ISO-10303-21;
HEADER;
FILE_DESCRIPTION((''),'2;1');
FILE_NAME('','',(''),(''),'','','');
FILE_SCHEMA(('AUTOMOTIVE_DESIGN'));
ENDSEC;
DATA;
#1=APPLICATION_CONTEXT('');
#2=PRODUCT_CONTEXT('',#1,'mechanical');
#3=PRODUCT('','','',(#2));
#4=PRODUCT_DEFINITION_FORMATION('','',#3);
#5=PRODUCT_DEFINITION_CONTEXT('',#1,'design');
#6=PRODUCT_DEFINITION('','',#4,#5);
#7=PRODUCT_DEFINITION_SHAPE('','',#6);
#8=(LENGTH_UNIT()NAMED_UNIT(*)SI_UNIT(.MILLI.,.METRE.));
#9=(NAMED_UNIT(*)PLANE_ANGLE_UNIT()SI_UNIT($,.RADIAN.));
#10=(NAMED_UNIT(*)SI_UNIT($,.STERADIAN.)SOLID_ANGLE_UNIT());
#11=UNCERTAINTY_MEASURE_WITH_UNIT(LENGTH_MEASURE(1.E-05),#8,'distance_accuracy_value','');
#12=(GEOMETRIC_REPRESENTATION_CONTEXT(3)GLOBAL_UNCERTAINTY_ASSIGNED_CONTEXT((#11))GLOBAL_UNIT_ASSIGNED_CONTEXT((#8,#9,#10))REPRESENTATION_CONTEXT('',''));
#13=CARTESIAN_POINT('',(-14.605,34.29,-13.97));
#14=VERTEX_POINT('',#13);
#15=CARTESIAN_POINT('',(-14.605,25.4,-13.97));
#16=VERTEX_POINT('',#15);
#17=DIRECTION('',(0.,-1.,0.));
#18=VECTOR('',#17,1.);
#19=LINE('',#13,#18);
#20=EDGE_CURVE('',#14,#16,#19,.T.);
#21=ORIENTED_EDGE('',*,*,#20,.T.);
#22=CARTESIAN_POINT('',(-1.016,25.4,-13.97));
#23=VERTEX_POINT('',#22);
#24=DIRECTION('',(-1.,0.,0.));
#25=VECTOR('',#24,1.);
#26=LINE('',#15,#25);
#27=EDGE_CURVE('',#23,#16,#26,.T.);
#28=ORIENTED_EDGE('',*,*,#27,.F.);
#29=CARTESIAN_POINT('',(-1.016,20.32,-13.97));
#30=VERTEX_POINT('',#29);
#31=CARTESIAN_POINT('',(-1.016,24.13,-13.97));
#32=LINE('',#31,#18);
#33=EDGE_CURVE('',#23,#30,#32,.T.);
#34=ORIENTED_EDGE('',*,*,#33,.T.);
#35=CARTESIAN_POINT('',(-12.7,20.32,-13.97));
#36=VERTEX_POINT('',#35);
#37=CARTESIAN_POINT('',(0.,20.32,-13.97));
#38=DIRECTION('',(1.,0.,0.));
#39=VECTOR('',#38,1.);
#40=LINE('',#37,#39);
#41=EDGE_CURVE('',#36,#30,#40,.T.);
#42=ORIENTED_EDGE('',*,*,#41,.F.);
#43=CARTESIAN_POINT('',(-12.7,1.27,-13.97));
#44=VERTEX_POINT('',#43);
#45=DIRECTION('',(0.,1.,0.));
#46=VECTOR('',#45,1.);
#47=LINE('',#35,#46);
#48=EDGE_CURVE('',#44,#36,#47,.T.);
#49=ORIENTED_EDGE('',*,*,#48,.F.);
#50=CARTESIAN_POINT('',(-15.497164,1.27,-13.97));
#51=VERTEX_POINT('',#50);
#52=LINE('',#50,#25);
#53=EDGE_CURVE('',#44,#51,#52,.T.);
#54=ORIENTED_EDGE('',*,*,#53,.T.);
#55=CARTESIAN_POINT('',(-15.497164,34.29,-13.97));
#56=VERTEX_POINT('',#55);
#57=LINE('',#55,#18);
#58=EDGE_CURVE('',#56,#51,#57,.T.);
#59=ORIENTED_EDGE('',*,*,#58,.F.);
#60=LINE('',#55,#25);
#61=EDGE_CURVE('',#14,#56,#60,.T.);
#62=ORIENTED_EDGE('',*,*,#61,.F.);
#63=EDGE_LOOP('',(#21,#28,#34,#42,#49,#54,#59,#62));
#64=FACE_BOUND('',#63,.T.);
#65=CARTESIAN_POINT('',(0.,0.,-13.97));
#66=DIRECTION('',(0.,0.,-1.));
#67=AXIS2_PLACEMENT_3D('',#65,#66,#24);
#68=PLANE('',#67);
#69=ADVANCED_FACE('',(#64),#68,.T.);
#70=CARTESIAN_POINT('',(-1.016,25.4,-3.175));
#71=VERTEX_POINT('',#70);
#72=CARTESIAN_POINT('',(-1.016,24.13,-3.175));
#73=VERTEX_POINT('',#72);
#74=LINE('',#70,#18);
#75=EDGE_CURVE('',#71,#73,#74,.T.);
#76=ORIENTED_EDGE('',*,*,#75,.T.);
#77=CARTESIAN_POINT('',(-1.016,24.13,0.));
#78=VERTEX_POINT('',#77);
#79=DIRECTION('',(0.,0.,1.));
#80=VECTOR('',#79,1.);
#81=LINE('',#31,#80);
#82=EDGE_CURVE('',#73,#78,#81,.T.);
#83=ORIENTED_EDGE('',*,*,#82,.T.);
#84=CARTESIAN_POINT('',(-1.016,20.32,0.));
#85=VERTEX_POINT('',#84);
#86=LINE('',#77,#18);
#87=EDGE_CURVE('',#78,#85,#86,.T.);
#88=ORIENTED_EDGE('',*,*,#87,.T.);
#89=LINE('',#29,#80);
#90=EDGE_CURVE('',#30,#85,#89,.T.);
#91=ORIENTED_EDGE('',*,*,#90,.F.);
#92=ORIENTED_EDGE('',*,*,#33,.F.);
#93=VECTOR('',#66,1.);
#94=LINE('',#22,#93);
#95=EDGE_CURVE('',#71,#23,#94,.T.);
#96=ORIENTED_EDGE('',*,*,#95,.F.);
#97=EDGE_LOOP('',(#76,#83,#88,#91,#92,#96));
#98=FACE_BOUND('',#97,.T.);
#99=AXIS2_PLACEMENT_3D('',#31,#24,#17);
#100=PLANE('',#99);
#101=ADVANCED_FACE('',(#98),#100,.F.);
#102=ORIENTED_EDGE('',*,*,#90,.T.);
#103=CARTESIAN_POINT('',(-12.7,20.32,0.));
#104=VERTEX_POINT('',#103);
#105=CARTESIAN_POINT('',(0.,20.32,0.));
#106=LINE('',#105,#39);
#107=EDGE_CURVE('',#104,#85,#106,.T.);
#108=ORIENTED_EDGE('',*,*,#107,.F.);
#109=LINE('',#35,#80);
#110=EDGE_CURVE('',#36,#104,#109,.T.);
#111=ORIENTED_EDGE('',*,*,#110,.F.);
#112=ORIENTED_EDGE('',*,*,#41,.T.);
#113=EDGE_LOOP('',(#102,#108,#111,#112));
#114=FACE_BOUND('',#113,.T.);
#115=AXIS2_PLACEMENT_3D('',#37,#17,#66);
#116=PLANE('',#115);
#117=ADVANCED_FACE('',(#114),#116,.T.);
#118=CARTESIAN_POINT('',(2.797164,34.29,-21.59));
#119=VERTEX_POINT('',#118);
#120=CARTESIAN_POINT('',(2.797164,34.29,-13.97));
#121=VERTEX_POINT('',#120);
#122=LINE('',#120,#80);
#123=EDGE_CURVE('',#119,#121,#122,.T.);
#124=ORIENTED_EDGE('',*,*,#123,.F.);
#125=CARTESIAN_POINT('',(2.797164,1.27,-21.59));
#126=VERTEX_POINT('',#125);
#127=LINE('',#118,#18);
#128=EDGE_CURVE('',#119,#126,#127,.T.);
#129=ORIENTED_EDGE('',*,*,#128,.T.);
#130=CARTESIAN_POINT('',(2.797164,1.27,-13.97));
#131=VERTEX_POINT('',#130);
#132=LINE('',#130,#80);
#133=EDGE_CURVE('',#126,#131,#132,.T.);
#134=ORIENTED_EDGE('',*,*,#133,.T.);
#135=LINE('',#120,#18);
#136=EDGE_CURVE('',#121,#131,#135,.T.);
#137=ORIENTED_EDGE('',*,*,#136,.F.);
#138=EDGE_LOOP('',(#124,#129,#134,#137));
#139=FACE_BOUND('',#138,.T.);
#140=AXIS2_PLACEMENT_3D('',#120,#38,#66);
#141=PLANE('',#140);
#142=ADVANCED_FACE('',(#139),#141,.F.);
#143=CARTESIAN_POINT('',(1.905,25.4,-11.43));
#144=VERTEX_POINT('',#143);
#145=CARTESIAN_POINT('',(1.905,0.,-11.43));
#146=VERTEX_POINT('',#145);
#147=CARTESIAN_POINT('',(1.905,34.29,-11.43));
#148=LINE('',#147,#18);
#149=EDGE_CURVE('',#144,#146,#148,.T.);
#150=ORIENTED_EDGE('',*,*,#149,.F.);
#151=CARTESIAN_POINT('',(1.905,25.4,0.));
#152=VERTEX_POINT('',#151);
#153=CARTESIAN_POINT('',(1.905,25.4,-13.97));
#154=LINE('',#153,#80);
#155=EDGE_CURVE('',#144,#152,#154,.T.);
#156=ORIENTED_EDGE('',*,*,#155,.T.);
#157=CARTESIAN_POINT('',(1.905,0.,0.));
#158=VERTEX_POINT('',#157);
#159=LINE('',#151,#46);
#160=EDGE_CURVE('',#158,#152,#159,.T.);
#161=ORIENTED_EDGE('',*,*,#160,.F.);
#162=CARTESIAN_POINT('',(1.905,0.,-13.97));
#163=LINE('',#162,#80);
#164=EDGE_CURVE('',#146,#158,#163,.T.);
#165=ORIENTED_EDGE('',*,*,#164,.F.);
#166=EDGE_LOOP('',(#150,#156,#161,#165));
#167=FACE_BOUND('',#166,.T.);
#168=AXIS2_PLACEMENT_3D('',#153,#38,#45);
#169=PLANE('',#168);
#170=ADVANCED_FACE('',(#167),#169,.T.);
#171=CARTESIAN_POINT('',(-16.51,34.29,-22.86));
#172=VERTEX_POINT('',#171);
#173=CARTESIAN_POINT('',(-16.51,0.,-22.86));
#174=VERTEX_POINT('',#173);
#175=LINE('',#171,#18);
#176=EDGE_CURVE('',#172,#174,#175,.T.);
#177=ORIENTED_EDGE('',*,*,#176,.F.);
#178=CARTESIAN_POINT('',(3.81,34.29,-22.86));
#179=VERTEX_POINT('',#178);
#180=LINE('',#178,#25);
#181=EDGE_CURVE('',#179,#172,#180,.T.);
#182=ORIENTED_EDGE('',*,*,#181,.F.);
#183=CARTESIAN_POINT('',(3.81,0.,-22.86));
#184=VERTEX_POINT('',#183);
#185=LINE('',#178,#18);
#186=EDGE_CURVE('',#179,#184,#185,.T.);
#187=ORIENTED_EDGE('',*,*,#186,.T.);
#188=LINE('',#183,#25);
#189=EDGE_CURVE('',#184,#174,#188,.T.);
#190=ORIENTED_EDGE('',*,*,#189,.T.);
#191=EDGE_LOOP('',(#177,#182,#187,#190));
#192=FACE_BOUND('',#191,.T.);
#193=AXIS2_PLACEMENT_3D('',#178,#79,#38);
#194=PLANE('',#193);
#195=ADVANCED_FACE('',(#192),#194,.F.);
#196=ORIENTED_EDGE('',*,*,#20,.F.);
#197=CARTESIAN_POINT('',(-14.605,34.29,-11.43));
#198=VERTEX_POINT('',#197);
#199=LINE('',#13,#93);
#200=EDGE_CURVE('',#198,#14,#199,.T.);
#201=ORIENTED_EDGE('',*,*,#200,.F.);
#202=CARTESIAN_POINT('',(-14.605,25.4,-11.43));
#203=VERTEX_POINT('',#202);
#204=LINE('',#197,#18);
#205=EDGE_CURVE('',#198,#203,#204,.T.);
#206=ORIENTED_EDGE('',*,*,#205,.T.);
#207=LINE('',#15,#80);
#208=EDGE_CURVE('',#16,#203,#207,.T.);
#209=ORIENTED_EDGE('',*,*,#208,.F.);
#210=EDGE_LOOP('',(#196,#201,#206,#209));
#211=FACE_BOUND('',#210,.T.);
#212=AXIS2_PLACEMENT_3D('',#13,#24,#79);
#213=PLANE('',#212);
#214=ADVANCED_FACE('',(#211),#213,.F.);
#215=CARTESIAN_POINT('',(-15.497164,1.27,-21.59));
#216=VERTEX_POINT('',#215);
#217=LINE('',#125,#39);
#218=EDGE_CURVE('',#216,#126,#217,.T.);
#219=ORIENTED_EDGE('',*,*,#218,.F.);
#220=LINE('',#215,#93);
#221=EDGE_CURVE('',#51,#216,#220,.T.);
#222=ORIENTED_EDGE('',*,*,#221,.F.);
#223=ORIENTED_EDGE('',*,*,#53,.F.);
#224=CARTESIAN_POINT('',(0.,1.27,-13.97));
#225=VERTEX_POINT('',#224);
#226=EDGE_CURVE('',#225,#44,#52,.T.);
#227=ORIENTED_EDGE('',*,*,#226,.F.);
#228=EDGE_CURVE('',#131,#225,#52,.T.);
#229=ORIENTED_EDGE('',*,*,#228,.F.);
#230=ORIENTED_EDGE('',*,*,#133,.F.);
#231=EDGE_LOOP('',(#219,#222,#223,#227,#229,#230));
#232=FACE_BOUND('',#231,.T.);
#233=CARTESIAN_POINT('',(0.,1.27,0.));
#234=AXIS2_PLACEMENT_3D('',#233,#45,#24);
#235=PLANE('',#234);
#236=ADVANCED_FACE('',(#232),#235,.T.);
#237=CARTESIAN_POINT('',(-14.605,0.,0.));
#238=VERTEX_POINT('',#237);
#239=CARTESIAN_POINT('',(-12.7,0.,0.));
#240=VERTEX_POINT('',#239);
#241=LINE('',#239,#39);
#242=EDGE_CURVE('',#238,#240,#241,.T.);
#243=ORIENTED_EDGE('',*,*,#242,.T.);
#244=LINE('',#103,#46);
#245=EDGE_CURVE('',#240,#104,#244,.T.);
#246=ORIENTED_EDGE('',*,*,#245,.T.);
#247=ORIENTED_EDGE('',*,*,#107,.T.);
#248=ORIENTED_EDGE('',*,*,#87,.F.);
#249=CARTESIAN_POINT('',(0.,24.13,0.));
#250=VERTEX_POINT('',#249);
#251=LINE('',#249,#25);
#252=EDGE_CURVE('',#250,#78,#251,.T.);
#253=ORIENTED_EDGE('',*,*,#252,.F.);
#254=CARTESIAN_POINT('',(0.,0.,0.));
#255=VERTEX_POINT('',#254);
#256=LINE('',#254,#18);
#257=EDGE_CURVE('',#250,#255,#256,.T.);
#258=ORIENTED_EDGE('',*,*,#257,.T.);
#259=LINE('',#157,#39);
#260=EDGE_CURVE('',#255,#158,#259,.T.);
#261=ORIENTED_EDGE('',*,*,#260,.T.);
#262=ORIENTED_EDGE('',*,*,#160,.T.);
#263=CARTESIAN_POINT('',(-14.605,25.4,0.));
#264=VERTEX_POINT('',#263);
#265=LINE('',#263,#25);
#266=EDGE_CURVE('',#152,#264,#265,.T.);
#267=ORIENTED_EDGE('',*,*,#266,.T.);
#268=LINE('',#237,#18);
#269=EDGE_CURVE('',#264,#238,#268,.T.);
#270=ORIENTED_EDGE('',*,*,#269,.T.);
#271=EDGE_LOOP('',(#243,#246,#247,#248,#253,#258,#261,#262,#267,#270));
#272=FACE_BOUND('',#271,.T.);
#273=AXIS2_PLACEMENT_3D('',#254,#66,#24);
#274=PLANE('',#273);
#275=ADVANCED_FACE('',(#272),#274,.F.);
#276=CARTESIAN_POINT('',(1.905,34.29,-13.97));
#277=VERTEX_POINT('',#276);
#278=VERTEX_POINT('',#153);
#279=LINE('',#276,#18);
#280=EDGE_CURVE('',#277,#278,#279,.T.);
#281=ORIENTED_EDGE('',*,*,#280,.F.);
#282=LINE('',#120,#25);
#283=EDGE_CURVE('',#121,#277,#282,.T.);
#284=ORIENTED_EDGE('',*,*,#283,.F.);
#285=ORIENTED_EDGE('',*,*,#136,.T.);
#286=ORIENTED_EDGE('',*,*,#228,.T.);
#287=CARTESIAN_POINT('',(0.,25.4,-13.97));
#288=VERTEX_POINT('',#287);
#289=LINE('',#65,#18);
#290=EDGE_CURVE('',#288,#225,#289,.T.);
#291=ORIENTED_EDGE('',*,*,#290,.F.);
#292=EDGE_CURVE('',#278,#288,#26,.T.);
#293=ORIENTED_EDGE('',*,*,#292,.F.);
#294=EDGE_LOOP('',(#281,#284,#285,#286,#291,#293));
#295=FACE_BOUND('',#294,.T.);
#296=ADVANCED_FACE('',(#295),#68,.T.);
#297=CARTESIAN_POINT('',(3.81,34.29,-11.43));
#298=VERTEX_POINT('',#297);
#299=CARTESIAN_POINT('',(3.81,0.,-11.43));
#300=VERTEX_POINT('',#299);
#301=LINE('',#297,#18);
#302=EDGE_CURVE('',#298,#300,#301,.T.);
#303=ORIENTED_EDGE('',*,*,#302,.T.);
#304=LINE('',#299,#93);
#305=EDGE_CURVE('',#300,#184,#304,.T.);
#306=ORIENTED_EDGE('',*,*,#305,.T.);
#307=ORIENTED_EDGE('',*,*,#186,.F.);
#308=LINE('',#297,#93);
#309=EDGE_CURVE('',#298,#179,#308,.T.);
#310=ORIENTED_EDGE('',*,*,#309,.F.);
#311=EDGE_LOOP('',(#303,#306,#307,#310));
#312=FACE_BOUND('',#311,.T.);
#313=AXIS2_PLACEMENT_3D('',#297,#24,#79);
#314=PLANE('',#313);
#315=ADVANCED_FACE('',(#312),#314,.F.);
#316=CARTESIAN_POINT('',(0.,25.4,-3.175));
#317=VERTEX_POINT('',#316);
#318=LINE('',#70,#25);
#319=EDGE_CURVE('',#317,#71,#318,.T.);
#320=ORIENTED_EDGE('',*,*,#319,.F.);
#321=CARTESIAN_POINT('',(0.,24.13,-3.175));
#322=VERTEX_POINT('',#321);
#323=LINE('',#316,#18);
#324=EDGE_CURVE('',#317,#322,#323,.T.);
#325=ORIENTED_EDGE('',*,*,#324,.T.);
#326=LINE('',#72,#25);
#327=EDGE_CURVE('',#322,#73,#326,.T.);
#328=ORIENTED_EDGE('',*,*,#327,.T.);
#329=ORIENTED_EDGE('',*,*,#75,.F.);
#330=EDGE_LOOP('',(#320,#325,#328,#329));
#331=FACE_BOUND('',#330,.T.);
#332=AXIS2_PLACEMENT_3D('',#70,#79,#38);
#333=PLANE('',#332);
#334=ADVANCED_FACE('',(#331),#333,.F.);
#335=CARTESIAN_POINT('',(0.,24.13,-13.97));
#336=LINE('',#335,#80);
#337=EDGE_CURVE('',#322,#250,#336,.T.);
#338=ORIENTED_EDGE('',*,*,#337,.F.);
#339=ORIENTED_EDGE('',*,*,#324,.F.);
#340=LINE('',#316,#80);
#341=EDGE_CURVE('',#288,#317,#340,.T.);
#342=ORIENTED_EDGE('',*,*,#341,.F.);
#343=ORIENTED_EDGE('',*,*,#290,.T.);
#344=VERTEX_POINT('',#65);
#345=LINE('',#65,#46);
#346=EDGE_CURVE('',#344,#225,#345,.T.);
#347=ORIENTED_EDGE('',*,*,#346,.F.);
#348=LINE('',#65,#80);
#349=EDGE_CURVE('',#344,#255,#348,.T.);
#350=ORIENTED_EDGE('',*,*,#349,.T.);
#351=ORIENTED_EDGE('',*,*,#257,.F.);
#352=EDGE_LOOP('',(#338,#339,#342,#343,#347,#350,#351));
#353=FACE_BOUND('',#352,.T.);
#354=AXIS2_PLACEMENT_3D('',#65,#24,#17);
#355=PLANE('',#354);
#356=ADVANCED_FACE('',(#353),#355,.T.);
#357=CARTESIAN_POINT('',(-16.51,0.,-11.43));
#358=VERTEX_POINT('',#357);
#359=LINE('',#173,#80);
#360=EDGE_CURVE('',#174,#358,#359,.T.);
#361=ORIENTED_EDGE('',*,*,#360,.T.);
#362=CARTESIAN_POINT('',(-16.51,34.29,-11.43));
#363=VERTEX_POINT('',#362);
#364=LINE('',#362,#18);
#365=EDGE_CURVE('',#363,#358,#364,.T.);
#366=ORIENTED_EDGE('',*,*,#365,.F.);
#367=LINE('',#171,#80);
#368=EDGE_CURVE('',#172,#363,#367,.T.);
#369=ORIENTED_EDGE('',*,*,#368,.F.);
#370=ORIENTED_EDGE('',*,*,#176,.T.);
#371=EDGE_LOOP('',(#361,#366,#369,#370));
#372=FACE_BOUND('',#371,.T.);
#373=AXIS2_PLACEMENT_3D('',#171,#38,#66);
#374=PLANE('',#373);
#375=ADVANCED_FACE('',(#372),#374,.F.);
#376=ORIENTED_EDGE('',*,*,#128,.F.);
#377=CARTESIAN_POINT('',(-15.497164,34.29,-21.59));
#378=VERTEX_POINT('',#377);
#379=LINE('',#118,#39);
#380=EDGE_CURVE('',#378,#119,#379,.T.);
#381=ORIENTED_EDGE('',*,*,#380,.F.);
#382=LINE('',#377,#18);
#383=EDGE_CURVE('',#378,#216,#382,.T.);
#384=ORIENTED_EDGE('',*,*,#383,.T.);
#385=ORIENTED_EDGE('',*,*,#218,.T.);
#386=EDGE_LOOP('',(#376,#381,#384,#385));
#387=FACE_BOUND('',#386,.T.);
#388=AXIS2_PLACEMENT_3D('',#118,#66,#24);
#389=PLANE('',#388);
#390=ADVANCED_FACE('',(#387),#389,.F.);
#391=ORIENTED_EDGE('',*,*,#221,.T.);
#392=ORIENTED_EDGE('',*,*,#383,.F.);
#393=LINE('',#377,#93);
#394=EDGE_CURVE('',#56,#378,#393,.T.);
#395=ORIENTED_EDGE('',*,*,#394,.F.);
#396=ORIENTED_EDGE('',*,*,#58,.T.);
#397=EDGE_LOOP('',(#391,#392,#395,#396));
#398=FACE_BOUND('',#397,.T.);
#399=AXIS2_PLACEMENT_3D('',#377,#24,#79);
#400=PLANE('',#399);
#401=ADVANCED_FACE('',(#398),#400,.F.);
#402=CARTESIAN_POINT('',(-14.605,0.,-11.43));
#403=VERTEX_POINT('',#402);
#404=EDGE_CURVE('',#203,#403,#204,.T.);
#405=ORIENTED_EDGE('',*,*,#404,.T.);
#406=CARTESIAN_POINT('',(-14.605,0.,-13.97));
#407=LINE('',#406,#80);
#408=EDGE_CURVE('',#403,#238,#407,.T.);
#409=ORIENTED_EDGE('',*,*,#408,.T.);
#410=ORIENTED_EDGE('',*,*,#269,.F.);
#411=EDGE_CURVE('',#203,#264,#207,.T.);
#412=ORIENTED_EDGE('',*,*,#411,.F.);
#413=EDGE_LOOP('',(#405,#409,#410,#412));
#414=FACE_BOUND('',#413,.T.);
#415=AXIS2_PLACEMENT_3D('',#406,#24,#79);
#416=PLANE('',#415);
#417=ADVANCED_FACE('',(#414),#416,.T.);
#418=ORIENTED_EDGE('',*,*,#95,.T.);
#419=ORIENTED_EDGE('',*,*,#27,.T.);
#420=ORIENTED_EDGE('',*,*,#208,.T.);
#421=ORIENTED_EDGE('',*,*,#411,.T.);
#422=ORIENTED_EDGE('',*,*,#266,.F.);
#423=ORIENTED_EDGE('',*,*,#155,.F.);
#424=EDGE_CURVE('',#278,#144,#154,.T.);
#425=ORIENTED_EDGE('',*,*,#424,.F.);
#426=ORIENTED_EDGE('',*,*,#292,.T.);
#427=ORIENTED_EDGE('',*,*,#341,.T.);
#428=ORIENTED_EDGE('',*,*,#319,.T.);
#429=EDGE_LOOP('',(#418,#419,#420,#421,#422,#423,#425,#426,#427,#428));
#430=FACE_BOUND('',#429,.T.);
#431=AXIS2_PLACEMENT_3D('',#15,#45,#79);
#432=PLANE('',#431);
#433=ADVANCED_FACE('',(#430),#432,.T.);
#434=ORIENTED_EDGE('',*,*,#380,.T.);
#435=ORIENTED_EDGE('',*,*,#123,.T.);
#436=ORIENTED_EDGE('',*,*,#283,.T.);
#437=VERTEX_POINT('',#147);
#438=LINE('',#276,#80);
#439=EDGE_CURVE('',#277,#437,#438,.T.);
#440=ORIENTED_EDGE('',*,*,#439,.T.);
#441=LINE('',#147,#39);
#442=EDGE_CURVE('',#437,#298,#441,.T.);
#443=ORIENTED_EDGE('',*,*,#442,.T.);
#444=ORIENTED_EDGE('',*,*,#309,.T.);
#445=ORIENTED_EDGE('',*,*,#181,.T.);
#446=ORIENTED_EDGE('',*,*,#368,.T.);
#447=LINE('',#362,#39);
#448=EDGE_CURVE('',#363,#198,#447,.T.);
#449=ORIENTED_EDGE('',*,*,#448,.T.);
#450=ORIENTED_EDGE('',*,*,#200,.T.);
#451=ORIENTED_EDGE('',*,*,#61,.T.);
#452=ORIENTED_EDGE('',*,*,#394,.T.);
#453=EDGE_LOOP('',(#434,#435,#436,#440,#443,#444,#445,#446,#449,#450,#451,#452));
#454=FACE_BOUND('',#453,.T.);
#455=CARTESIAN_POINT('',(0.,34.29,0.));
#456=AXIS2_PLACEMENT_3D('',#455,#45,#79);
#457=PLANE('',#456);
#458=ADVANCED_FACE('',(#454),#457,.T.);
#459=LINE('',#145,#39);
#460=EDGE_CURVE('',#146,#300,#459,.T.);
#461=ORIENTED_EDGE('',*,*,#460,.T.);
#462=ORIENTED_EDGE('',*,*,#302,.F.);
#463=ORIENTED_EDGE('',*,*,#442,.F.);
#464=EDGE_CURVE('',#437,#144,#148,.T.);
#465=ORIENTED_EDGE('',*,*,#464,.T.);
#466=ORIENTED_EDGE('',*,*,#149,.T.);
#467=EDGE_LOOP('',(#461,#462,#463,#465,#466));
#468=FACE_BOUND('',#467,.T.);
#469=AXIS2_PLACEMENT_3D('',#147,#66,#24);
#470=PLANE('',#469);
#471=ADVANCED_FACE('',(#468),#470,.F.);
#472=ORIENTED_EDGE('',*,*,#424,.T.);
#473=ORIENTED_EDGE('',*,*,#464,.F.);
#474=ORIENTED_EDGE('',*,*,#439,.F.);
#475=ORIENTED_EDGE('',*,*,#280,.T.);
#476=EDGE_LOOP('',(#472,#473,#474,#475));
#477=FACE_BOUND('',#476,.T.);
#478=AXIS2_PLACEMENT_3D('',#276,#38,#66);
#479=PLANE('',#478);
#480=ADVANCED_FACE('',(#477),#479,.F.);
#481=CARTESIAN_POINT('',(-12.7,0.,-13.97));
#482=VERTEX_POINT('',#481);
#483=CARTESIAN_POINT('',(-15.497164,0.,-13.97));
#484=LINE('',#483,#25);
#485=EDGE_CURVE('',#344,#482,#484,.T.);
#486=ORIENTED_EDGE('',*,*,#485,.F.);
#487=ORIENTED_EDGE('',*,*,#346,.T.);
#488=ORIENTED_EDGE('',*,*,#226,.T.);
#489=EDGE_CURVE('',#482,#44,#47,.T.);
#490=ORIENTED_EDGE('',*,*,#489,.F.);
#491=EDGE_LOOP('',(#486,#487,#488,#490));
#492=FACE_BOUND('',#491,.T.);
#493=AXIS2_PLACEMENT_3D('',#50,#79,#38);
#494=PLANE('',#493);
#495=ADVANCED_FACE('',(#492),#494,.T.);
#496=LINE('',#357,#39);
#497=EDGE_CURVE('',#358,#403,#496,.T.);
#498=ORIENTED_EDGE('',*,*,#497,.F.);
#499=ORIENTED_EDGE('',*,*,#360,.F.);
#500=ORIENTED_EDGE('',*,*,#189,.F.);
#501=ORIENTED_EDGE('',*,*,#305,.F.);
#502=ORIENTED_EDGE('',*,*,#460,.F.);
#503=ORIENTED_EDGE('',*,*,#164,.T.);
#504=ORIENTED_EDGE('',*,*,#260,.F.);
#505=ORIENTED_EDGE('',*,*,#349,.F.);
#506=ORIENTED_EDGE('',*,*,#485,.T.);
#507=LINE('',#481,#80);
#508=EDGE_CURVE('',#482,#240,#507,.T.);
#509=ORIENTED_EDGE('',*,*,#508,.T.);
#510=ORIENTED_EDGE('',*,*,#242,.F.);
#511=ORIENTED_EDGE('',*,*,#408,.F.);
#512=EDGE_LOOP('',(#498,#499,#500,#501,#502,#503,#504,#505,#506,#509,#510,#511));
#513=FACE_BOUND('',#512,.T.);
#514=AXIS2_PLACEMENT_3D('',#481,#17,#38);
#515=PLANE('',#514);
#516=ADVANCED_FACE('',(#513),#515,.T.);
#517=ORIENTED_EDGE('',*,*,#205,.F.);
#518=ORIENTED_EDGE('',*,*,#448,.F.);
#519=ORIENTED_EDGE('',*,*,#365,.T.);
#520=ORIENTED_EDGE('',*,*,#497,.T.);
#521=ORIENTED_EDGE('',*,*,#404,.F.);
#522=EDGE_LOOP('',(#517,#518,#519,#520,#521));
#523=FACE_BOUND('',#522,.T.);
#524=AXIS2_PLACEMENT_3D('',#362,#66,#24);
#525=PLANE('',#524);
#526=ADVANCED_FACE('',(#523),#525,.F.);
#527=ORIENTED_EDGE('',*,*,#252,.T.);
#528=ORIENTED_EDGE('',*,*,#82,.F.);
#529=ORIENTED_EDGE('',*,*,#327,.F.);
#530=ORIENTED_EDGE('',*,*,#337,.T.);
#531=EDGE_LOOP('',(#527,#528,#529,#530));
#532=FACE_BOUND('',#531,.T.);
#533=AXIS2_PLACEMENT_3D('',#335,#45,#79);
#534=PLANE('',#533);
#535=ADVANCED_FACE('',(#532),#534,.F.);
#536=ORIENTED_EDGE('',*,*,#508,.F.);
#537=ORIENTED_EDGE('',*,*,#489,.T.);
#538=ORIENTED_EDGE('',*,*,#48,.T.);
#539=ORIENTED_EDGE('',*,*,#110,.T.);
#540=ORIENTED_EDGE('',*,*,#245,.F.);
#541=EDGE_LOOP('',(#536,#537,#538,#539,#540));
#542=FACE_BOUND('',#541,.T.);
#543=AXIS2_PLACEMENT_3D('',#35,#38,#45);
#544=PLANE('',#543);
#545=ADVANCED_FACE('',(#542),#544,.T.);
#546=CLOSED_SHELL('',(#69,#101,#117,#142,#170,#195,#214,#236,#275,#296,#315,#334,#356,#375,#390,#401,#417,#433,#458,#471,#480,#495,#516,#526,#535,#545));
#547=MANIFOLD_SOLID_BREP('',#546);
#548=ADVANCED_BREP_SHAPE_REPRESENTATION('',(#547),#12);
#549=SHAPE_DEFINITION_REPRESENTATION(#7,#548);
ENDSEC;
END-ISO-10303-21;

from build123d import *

# Parameters (mm, degrees)
BOSS_EXTRUDE1_DEPTH      = 13.97
SKETCH3_W                = 1.016
SKETCH3_H                = 3.81
CUT_EXTRUDE1_DEPTH       = 14.97
CUT_EXTRUDE2_DEPTH       = 2.27
BOSS_EXTRUDE3_DEPTH      = 8.89
BOSS_EXTRUDE3_DEPTH_BACK = 25.4
SKETCH12_W               = 18.294327288
SKETCH12_H               = 7.62
BOSS_EXTRUDE4_DEPTH      = 1.27


with BuildPart() as part:
    # Sketch1 → Boss-Extrude1 (new body)
    with BuildSketch(Plane.XY):
        Polygon((0, 0), (0, 20.32), (-12.7, 20.32), (-12.7, 0), (-14.605, 0), (-14.605, 25.4), (1.905, 25.4), (1.905, 0), align=None)
    extrude(amount=-BOSS_EXTRUDE1_DEPTH)

    # Sketch3 → Cut-Extrude1 (cut, through all)
    with BuildSketch(Plane.XY):
        with Locations((-0.508, 22.225)):
            Rectangle(SKETCH3_W, SKETCH3_H)
    extrude(amount=-CUT_EXTRUDE1_DEPTH, mode=Mode.SUBTRACT)

    # Sketch4 → Cut-Extrude2 (cut, through all)
    with BuildSketch(Plane.XZ.offset(-24.13)):
        Polygon((-1.016, -6.985), (-1.016, -3.175), (0, -3.175), (0, -13.97), (-1.016, -13.97), align=None)
    extrude(amount=-CUT_EXTRUDE2_DEPTH, mode=Mode.SUBTRACT)

    # Sketch11 → Boss-Extrude3 (add, two sides)
    with BuildSketch(Plane(origin=(0, 25.4, 0), x_dir=(1, 0, 0), z_dir=(0, 1, 0))) as boss_extrude3_sk:
        Polygon((-15.497163644, 13.97), (-14.605, 13.97), (-14.605, 11.43), (-16.51, 11.43), (-16.51, 22.86), (3.81, 22.86), (3.81, 11.43), (1.905, 11.43), (1.905, 13.97), (2.797163644, 13.97), (2.797163644, 21.59), (-15.497163644, 21.59), align=None)
    extrude(amount=BOSS_EXTRUDE3_DEPTH)
    extrude(boss_extrude3_sk.sketch, amount=-BOSS_EXTRUDE3_DEPTH_BACK)

    # Sketch12 → Boss-Extrude4 (add)
    with BuildSketch(Plane.XZ):
        with Locations((-6.35, -17.78)):
            Rectangle(SKETCH12_W, SKETCH12_H)
    extrude(amount=-BOSS_EXTRUDE4_DEPTH)


solid = part.part
